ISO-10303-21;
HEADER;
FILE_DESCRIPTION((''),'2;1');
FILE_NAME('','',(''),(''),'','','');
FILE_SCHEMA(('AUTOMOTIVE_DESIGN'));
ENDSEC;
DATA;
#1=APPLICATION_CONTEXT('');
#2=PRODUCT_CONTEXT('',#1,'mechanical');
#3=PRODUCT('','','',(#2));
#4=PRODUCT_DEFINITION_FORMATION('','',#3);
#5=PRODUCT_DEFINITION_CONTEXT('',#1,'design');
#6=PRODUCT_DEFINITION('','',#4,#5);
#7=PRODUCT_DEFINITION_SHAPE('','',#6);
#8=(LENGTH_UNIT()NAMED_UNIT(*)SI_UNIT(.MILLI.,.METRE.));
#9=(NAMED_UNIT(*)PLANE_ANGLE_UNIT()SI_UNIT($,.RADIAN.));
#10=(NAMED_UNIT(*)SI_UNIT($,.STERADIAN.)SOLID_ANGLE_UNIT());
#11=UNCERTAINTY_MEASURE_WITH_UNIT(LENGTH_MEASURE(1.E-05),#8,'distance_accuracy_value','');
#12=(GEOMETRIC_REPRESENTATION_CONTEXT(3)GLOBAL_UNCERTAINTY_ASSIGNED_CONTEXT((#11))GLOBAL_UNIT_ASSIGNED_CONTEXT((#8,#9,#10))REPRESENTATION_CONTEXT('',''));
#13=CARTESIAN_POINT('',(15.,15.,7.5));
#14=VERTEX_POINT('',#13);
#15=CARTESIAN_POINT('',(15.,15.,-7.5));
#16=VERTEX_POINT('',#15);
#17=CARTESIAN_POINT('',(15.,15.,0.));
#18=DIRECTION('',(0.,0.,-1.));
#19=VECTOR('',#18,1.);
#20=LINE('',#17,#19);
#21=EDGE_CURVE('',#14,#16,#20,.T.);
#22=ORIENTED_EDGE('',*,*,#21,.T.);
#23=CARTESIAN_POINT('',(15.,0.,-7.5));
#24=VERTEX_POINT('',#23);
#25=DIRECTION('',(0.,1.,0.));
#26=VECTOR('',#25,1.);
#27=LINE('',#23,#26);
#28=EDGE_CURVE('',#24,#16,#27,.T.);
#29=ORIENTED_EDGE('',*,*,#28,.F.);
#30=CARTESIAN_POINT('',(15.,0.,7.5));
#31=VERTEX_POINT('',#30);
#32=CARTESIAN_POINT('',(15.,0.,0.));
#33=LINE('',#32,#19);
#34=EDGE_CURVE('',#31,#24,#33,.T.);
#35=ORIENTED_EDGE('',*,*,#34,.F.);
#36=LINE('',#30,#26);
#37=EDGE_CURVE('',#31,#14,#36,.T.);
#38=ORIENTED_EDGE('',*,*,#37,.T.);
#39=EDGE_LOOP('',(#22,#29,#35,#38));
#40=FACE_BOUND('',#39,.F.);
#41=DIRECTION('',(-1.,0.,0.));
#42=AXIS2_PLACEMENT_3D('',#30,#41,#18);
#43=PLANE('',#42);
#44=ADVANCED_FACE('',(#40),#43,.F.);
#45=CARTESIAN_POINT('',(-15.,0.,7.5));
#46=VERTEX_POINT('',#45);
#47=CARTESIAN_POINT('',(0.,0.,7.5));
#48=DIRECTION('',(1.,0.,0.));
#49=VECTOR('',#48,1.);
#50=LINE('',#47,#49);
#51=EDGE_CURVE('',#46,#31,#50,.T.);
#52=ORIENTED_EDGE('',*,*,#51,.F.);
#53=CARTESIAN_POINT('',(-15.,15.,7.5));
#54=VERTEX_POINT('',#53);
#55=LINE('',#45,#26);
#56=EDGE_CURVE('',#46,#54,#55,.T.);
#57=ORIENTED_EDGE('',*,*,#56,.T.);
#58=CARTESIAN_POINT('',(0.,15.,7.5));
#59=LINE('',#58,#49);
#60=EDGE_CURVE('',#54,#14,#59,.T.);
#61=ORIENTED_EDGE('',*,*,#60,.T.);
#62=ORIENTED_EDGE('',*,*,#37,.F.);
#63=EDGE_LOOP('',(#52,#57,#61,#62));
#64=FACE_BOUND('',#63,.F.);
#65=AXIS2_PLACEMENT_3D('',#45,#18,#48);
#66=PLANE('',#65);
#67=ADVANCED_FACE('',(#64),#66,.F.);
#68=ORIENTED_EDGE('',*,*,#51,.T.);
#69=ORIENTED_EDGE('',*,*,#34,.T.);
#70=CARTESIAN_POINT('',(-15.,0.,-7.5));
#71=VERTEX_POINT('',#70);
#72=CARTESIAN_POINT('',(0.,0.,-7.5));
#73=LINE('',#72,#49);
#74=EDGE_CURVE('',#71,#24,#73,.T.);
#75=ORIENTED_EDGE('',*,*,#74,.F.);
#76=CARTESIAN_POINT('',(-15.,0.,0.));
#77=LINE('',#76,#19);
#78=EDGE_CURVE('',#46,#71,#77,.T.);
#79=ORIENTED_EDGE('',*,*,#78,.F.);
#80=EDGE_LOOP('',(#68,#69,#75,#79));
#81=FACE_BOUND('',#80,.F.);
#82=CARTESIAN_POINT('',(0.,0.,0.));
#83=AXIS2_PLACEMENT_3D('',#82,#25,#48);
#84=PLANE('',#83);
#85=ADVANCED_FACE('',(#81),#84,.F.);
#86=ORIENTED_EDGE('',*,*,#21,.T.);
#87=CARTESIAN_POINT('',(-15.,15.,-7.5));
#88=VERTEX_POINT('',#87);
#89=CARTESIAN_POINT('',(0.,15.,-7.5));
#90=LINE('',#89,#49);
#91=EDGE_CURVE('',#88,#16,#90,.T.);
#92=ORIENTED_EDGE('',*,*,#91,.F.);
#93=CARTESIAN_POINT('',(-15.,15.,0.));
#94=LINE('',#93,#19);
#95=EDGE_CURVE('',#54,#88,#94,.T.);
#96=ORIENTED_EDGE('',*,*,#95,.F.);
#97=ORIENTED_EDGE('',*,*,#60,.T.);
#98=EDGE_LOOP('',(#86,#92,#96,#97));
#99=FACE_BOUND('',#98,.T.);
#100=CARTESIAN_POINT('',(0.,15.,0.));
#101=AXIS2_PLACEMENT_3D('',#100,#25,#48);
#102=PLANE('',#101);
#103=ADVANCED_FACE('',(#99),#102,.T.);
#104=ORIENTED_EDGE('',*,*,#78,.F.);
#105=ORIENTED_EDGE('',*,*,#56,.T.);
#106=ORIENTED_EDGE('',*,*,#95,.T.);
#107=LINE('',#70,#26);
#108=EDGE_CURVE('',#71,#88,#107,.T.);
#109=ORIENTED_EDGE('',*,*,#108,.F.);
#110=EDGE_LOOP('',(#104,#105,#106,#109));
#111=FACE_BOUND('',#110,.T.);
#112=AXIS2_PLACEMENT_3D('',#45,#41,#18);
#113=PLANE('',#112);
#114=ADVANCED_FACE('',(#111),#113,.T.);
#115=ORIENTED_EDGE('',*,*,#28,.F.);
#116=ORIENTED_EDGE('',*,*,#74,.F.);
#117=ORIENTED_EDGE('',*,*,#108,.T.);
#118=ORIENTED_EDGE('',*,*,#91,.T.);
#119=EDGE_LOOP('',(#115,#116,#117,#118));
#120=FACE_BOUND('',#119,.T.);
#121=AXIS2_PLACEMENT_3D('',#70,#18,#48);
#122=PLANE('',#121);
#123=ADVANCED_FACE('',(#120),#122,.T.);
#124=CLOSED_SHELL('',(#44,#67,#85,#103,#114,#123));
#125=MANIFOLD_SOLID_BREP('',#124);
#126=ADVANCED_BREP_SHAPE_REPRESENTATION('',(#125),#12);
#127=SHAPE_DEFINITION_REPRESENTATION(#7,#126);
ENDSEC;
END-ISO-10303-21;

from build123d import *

# Parameters (mm, degrees)
SKETCH2_W           = 30
SKETCH2_H           = 15
BOSS_EXTRUDE1_DEPTH = 15


with BuildPart() as part:
    # Sketch2 → Boss-Extrude1 (new body)
    with BuildSketch(Plane(origin=(0, 0, 0), x_dir=(1, 0, 0), z_dir=(0, 1, 0))):
        Rectangle(SKETCH2_W, SKETCH2_H)
    extrude(amount=BOSS_EXTRUDE1_DEPTH)


solid = part.part
